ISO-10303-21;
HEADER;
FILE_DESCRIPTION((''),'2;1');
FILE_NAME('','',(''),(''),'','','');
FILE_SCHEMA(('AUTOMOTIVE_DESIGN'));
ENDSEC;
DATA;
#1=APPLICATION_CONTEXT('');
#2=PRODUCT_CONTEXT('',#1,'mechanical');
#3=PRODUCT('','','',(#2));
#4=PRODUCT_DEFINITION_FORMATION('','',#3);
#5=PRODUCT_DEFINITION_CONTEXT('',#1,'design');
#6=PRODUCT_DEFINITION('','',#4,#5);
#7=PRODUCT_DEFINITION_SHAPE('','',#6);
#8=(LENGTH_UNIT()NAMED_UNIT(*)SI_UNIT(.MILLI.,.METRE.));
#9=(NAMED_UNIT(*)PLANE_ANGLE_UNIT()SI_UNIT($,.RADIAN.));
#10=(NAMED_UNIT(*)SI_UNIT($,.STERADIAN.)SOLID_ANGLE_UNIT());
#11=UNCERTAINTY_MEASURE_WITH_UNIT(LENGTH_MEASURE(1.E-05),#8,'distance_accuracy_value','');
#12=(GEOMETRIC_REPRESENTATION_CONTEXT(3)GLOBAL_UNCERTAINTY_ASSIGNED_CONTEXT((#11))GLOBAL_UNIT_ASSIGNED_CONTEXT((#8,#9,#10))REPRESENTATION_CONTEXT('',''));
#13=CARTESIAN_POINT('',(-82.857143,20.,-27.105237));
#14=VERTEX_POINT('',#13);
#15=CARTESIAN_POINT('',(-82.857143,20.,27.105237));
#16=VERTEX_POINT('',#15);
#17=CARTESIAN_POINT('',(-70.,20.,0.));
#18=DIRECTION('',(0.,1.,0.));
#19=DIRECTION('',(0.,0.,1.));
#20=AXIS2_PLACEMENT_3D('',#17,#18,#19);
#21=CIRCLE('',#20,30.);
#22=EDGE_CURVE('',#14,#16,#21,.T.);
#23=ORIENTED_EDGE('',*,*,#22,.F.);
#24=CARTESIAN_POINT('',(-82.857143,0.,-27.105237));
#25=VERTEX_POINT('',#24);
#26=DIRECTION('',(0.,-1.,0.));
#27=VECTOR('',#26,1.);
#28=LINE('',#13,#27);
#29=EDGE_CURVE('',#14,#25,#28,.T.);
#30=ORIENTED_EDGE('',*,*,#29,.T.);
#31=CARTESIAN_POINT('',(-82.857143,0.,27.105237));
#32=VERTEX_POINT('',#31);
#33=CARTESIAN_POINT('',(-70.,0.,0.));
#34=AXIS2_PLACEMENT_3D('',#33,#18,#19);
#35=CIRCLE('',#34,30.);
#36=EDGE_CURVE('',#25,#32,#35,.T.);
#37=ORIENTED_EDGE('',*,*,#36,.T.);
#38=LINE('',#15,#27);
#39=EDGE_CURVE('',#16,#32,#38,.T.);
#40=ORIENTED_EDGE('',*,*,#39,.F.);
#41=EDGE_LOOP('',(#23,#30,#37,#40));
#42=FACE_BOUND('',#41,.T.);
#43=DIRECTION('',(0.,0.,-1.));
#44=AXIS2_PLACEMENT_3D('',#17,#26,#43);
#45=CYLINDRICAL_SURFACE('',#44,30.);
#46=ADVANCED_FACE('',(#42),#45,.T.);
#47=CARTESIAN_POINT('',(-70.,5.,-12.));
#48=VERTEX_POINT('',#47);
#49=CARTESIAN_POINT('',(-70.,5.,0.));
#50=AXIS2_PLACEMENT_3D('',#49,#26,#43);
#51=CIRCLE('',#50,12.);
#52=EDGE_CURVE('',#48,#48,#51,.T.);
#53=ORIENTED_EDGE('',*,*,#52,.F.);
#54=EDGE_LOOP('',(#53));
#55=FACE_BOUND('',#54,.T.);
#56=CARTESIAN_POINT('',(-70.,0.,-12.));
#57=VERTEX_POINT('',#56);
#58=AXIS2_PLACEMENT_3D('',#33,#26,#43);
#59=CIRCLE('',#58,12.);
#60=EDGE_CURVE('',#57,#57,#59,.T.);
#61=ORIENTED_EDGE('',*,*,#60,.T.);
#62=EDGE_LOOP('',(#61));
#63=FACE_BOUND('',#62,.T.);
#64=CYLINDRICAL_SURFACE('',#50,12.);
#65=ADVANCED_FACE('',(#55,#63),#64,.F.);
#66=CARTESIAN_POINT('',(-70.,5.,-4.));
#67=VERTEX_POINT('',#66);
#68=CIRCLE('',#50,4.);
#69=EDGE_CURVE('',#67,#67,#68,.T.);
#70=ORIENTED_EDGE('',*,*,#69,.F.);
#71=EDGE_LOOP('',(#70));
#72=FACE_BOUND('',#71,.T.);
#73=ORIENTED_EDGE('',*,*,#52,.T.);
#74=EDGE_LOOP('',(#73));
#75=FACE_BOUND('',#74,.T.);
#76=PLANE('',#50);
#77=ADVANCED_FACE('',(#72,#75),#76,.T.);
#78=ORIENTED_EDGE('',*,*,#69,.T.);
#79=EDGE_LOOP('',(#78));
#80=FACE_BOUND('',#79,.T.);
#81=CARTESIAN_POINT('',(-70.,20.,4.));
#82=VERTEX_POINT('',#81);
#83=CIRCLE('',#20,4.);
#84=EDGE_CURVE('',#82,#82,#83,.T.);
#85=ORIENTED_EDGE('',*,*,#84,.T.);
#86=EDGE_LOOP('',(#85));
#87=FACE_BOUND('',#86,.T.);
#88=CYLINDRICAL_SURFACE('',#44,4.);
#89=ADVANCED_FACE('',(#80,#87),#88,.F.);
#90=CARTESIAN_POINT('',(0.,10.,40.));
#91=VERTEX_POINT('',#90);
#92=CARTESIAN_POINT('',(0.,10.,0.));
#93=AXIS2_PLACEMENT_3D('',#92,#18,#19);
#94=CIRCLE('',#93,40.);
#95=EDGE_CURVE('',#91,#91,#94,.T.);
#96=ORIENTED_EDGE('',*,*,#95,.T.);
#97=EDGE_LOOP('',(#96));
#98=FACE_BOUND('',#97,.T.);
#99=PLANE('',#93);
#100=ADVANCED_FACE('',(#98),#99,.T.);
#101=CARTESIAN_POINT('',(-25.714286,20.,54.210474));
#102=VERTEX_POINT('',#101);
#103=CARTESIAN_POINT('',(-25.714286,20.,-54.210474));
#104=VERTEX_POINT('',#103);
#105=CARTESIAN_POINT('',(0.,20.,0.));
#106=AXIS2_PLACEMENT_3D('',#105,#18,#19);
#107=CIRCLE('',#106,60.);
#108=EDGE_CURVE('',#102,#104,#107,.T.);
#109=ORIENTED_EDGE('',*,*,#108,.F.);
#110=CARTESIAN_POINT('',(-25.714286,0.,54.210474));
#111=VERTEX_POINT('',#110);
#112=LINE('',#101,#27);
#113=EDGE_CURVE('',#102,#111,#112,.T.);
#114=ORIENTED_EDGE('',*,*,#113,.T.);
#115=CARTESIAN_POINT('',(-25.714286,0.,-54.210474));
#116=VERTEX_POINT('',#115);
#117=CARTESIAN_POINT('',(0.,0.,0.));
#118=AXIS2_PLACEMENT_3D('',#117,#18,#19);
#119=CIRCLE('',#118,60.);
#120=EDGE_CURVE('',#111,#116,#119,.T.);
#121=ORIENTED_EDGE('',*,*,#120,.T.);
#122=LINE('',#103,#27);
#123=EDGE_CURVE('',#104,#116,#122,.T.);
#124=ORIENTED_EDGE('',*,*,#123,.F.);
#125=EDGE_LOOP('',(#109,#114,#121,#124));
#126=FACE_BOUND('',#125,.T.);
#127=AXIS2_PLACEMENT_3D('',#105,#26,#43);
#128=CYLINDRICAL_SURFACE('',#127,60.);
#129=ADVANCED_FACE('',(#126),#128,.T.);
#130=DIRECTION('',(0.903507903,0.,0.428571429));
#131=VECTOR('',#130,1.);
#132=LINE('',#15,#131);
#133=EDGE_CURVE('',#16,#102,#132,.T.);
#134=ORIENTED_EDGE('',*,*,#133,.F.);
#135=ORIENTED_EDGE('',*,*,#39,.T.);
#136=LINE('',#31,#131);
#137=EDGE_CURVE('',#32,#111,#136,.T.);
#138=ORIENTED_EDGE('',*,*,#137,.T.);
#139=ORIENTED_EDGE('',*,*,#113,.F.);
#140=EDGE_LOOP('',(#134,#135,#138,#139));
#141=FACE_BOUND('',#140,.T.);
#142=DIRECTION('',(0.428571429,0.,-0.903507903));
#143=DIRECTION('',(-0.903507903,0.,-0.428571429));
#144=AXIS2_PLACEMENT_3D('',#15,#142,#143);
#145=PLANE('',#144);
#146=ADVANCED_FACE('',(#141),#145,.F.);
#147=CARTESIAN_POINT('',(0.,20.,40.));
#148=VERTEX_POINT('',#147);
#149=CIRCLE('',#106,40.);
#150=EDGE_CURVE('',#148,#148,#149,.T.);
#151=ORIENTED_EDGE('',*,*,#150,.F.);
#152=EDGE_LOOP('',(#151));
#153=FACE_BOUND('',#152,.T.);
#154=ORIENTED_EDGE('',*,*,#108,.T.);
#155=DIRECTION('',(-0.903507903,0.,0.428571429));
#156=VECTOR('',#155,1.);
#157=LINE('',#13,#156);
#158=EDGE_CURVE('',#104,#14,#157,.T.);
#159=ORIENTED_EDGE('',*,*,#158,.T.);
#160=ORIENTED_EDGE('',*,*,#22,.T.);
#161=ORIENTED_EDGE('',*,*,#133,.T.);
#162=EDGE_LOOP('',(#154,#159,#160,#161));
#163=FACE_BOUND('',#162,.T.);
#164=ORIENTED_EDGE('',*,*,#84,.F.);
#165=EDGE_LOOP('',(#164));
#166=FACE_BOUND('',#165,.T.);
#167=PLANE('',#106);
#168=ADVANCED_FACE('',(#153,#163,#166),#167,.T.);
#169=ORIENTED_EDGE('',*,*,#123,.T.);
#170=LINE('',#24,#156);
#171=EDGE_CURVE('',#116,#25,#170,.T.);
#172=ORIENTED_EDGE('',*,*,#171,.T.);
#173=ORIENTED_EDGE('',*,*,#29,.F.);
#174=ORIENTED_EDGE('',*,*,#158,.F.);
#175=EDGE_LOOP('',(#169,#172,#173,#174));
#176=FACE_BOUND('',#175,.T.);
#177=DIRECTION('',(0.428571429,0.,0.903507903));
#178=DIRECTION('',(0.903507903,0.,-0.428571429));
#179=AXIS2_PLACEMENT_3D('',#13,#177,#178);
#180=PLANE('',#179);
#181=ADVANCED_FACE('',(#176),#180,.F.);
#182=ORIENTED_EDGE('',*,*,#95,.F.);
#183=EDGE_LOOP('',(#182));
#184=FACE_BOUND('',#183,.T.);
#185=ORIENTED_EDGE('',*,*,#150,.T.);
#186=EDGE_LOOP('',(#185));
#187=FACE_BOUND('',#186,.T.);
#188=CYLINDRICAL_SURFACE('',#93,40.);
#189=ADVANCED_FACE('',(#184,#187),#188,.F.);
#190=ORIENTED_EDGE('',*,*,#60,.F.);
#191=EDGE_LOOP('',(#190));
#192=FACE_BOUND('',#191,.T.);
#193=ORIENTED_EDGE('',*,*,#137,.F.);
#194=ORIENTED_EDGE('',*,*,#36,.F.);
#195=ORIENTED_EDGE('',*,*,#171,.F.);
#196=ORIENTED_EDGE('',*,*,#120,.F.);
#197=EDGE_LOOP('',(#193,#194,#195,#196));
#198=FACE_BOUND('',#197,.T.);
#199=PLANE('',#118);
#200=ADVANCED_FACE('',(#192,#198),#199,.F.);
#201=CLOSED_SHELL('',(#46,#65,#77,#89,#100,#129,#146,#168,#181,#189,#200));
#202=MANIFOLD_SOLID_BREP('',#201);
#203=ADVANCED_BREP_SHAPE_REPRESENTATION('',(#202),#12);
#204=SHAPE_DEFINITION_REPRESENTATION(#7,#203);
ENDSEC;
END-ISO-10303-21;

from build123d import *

# Parameters (mm, degrees)
SKETCH1_R           = 60
BOSS_EXTRUDE1_DEPTH = 20
SKETCH3_R           = 4
BOSS_EXTRUDE2_DEPTH = 20
SKETCH2_R           = 40
CUT_EXTRUDE1_DEPTH  = 10
SKETCH5_R           = 12
CUT_EXTRUDE2_DEPTH  = 5


with BuildPart() as part:
    # Sketch1 → Boss-Extrude1 (new body)
    with BuildSketch(Plane(origin=(0, 0, 0), x_dir=(1, 0, 0), z_dir=(0, 1, 0))):
        with Locations(Location((0, 0, 0), (0, 0, 270))):
            Circle(SKETCH1_R)
    extrude(amount=BOSS_EXTRUDE1_DEPTH)

    # Sketch3 → Boss-Extrude2 (add)
    with BuildSketch(Plane(origin=(0, 0, 0), x_dir=(1, 0, 0), z_dir=(0, 1, 0))):
        with BuildLine():
            Line((-82.857142857, 27.105237087), (-25.714285714, 54.210474174))
            ThreePointArc((-25.714285714, 54.210474174), (60, 0), (-25.714285714, -54.210474174))
            Line((-25.714285714, -54.210474174), (-82.857142857, -27.105237087))
            ThreePointArc((-82.857142857, -27.105237087), (-100, 0), (-82.857142857, 27.105237087))
        make_face()
        with Locations(Location((-70, 0, 0), (0, 0, 270))):
            Circle(SKETCH3_R, mode=Mode.SUBTRACT)
    extrude(amount=BOSS_EXTRUDE2_DEPTH)

    # Sketch2 → Cut-Extrude1 (cut)
    with BuildSketch(Plane(origin=(0, 20, 0), x_dir=(1, 0, 0), z_dir=(0, 1, 0))):
        with Locations(Location((0, 0, 0), (0, 0, 270))):
            Circle(SKETCH2_R)
    extrude(amount=-CUT_EXTRUDE1_DEPTH, mode=Mode.SUBTRACT)

    # Sketch5 → Cut-Extrude2 (cut)
    with BuildSketch(Plane.XZ):
        with Locations(Location((-70, 0, 0), (0, 0, 270))):
            Circle(SKETCH5_R)
    extrude(amount=-CUT_EXTRUDE2_DEPTH, mode=Mode.SUBTRACT)


solid = part.part
